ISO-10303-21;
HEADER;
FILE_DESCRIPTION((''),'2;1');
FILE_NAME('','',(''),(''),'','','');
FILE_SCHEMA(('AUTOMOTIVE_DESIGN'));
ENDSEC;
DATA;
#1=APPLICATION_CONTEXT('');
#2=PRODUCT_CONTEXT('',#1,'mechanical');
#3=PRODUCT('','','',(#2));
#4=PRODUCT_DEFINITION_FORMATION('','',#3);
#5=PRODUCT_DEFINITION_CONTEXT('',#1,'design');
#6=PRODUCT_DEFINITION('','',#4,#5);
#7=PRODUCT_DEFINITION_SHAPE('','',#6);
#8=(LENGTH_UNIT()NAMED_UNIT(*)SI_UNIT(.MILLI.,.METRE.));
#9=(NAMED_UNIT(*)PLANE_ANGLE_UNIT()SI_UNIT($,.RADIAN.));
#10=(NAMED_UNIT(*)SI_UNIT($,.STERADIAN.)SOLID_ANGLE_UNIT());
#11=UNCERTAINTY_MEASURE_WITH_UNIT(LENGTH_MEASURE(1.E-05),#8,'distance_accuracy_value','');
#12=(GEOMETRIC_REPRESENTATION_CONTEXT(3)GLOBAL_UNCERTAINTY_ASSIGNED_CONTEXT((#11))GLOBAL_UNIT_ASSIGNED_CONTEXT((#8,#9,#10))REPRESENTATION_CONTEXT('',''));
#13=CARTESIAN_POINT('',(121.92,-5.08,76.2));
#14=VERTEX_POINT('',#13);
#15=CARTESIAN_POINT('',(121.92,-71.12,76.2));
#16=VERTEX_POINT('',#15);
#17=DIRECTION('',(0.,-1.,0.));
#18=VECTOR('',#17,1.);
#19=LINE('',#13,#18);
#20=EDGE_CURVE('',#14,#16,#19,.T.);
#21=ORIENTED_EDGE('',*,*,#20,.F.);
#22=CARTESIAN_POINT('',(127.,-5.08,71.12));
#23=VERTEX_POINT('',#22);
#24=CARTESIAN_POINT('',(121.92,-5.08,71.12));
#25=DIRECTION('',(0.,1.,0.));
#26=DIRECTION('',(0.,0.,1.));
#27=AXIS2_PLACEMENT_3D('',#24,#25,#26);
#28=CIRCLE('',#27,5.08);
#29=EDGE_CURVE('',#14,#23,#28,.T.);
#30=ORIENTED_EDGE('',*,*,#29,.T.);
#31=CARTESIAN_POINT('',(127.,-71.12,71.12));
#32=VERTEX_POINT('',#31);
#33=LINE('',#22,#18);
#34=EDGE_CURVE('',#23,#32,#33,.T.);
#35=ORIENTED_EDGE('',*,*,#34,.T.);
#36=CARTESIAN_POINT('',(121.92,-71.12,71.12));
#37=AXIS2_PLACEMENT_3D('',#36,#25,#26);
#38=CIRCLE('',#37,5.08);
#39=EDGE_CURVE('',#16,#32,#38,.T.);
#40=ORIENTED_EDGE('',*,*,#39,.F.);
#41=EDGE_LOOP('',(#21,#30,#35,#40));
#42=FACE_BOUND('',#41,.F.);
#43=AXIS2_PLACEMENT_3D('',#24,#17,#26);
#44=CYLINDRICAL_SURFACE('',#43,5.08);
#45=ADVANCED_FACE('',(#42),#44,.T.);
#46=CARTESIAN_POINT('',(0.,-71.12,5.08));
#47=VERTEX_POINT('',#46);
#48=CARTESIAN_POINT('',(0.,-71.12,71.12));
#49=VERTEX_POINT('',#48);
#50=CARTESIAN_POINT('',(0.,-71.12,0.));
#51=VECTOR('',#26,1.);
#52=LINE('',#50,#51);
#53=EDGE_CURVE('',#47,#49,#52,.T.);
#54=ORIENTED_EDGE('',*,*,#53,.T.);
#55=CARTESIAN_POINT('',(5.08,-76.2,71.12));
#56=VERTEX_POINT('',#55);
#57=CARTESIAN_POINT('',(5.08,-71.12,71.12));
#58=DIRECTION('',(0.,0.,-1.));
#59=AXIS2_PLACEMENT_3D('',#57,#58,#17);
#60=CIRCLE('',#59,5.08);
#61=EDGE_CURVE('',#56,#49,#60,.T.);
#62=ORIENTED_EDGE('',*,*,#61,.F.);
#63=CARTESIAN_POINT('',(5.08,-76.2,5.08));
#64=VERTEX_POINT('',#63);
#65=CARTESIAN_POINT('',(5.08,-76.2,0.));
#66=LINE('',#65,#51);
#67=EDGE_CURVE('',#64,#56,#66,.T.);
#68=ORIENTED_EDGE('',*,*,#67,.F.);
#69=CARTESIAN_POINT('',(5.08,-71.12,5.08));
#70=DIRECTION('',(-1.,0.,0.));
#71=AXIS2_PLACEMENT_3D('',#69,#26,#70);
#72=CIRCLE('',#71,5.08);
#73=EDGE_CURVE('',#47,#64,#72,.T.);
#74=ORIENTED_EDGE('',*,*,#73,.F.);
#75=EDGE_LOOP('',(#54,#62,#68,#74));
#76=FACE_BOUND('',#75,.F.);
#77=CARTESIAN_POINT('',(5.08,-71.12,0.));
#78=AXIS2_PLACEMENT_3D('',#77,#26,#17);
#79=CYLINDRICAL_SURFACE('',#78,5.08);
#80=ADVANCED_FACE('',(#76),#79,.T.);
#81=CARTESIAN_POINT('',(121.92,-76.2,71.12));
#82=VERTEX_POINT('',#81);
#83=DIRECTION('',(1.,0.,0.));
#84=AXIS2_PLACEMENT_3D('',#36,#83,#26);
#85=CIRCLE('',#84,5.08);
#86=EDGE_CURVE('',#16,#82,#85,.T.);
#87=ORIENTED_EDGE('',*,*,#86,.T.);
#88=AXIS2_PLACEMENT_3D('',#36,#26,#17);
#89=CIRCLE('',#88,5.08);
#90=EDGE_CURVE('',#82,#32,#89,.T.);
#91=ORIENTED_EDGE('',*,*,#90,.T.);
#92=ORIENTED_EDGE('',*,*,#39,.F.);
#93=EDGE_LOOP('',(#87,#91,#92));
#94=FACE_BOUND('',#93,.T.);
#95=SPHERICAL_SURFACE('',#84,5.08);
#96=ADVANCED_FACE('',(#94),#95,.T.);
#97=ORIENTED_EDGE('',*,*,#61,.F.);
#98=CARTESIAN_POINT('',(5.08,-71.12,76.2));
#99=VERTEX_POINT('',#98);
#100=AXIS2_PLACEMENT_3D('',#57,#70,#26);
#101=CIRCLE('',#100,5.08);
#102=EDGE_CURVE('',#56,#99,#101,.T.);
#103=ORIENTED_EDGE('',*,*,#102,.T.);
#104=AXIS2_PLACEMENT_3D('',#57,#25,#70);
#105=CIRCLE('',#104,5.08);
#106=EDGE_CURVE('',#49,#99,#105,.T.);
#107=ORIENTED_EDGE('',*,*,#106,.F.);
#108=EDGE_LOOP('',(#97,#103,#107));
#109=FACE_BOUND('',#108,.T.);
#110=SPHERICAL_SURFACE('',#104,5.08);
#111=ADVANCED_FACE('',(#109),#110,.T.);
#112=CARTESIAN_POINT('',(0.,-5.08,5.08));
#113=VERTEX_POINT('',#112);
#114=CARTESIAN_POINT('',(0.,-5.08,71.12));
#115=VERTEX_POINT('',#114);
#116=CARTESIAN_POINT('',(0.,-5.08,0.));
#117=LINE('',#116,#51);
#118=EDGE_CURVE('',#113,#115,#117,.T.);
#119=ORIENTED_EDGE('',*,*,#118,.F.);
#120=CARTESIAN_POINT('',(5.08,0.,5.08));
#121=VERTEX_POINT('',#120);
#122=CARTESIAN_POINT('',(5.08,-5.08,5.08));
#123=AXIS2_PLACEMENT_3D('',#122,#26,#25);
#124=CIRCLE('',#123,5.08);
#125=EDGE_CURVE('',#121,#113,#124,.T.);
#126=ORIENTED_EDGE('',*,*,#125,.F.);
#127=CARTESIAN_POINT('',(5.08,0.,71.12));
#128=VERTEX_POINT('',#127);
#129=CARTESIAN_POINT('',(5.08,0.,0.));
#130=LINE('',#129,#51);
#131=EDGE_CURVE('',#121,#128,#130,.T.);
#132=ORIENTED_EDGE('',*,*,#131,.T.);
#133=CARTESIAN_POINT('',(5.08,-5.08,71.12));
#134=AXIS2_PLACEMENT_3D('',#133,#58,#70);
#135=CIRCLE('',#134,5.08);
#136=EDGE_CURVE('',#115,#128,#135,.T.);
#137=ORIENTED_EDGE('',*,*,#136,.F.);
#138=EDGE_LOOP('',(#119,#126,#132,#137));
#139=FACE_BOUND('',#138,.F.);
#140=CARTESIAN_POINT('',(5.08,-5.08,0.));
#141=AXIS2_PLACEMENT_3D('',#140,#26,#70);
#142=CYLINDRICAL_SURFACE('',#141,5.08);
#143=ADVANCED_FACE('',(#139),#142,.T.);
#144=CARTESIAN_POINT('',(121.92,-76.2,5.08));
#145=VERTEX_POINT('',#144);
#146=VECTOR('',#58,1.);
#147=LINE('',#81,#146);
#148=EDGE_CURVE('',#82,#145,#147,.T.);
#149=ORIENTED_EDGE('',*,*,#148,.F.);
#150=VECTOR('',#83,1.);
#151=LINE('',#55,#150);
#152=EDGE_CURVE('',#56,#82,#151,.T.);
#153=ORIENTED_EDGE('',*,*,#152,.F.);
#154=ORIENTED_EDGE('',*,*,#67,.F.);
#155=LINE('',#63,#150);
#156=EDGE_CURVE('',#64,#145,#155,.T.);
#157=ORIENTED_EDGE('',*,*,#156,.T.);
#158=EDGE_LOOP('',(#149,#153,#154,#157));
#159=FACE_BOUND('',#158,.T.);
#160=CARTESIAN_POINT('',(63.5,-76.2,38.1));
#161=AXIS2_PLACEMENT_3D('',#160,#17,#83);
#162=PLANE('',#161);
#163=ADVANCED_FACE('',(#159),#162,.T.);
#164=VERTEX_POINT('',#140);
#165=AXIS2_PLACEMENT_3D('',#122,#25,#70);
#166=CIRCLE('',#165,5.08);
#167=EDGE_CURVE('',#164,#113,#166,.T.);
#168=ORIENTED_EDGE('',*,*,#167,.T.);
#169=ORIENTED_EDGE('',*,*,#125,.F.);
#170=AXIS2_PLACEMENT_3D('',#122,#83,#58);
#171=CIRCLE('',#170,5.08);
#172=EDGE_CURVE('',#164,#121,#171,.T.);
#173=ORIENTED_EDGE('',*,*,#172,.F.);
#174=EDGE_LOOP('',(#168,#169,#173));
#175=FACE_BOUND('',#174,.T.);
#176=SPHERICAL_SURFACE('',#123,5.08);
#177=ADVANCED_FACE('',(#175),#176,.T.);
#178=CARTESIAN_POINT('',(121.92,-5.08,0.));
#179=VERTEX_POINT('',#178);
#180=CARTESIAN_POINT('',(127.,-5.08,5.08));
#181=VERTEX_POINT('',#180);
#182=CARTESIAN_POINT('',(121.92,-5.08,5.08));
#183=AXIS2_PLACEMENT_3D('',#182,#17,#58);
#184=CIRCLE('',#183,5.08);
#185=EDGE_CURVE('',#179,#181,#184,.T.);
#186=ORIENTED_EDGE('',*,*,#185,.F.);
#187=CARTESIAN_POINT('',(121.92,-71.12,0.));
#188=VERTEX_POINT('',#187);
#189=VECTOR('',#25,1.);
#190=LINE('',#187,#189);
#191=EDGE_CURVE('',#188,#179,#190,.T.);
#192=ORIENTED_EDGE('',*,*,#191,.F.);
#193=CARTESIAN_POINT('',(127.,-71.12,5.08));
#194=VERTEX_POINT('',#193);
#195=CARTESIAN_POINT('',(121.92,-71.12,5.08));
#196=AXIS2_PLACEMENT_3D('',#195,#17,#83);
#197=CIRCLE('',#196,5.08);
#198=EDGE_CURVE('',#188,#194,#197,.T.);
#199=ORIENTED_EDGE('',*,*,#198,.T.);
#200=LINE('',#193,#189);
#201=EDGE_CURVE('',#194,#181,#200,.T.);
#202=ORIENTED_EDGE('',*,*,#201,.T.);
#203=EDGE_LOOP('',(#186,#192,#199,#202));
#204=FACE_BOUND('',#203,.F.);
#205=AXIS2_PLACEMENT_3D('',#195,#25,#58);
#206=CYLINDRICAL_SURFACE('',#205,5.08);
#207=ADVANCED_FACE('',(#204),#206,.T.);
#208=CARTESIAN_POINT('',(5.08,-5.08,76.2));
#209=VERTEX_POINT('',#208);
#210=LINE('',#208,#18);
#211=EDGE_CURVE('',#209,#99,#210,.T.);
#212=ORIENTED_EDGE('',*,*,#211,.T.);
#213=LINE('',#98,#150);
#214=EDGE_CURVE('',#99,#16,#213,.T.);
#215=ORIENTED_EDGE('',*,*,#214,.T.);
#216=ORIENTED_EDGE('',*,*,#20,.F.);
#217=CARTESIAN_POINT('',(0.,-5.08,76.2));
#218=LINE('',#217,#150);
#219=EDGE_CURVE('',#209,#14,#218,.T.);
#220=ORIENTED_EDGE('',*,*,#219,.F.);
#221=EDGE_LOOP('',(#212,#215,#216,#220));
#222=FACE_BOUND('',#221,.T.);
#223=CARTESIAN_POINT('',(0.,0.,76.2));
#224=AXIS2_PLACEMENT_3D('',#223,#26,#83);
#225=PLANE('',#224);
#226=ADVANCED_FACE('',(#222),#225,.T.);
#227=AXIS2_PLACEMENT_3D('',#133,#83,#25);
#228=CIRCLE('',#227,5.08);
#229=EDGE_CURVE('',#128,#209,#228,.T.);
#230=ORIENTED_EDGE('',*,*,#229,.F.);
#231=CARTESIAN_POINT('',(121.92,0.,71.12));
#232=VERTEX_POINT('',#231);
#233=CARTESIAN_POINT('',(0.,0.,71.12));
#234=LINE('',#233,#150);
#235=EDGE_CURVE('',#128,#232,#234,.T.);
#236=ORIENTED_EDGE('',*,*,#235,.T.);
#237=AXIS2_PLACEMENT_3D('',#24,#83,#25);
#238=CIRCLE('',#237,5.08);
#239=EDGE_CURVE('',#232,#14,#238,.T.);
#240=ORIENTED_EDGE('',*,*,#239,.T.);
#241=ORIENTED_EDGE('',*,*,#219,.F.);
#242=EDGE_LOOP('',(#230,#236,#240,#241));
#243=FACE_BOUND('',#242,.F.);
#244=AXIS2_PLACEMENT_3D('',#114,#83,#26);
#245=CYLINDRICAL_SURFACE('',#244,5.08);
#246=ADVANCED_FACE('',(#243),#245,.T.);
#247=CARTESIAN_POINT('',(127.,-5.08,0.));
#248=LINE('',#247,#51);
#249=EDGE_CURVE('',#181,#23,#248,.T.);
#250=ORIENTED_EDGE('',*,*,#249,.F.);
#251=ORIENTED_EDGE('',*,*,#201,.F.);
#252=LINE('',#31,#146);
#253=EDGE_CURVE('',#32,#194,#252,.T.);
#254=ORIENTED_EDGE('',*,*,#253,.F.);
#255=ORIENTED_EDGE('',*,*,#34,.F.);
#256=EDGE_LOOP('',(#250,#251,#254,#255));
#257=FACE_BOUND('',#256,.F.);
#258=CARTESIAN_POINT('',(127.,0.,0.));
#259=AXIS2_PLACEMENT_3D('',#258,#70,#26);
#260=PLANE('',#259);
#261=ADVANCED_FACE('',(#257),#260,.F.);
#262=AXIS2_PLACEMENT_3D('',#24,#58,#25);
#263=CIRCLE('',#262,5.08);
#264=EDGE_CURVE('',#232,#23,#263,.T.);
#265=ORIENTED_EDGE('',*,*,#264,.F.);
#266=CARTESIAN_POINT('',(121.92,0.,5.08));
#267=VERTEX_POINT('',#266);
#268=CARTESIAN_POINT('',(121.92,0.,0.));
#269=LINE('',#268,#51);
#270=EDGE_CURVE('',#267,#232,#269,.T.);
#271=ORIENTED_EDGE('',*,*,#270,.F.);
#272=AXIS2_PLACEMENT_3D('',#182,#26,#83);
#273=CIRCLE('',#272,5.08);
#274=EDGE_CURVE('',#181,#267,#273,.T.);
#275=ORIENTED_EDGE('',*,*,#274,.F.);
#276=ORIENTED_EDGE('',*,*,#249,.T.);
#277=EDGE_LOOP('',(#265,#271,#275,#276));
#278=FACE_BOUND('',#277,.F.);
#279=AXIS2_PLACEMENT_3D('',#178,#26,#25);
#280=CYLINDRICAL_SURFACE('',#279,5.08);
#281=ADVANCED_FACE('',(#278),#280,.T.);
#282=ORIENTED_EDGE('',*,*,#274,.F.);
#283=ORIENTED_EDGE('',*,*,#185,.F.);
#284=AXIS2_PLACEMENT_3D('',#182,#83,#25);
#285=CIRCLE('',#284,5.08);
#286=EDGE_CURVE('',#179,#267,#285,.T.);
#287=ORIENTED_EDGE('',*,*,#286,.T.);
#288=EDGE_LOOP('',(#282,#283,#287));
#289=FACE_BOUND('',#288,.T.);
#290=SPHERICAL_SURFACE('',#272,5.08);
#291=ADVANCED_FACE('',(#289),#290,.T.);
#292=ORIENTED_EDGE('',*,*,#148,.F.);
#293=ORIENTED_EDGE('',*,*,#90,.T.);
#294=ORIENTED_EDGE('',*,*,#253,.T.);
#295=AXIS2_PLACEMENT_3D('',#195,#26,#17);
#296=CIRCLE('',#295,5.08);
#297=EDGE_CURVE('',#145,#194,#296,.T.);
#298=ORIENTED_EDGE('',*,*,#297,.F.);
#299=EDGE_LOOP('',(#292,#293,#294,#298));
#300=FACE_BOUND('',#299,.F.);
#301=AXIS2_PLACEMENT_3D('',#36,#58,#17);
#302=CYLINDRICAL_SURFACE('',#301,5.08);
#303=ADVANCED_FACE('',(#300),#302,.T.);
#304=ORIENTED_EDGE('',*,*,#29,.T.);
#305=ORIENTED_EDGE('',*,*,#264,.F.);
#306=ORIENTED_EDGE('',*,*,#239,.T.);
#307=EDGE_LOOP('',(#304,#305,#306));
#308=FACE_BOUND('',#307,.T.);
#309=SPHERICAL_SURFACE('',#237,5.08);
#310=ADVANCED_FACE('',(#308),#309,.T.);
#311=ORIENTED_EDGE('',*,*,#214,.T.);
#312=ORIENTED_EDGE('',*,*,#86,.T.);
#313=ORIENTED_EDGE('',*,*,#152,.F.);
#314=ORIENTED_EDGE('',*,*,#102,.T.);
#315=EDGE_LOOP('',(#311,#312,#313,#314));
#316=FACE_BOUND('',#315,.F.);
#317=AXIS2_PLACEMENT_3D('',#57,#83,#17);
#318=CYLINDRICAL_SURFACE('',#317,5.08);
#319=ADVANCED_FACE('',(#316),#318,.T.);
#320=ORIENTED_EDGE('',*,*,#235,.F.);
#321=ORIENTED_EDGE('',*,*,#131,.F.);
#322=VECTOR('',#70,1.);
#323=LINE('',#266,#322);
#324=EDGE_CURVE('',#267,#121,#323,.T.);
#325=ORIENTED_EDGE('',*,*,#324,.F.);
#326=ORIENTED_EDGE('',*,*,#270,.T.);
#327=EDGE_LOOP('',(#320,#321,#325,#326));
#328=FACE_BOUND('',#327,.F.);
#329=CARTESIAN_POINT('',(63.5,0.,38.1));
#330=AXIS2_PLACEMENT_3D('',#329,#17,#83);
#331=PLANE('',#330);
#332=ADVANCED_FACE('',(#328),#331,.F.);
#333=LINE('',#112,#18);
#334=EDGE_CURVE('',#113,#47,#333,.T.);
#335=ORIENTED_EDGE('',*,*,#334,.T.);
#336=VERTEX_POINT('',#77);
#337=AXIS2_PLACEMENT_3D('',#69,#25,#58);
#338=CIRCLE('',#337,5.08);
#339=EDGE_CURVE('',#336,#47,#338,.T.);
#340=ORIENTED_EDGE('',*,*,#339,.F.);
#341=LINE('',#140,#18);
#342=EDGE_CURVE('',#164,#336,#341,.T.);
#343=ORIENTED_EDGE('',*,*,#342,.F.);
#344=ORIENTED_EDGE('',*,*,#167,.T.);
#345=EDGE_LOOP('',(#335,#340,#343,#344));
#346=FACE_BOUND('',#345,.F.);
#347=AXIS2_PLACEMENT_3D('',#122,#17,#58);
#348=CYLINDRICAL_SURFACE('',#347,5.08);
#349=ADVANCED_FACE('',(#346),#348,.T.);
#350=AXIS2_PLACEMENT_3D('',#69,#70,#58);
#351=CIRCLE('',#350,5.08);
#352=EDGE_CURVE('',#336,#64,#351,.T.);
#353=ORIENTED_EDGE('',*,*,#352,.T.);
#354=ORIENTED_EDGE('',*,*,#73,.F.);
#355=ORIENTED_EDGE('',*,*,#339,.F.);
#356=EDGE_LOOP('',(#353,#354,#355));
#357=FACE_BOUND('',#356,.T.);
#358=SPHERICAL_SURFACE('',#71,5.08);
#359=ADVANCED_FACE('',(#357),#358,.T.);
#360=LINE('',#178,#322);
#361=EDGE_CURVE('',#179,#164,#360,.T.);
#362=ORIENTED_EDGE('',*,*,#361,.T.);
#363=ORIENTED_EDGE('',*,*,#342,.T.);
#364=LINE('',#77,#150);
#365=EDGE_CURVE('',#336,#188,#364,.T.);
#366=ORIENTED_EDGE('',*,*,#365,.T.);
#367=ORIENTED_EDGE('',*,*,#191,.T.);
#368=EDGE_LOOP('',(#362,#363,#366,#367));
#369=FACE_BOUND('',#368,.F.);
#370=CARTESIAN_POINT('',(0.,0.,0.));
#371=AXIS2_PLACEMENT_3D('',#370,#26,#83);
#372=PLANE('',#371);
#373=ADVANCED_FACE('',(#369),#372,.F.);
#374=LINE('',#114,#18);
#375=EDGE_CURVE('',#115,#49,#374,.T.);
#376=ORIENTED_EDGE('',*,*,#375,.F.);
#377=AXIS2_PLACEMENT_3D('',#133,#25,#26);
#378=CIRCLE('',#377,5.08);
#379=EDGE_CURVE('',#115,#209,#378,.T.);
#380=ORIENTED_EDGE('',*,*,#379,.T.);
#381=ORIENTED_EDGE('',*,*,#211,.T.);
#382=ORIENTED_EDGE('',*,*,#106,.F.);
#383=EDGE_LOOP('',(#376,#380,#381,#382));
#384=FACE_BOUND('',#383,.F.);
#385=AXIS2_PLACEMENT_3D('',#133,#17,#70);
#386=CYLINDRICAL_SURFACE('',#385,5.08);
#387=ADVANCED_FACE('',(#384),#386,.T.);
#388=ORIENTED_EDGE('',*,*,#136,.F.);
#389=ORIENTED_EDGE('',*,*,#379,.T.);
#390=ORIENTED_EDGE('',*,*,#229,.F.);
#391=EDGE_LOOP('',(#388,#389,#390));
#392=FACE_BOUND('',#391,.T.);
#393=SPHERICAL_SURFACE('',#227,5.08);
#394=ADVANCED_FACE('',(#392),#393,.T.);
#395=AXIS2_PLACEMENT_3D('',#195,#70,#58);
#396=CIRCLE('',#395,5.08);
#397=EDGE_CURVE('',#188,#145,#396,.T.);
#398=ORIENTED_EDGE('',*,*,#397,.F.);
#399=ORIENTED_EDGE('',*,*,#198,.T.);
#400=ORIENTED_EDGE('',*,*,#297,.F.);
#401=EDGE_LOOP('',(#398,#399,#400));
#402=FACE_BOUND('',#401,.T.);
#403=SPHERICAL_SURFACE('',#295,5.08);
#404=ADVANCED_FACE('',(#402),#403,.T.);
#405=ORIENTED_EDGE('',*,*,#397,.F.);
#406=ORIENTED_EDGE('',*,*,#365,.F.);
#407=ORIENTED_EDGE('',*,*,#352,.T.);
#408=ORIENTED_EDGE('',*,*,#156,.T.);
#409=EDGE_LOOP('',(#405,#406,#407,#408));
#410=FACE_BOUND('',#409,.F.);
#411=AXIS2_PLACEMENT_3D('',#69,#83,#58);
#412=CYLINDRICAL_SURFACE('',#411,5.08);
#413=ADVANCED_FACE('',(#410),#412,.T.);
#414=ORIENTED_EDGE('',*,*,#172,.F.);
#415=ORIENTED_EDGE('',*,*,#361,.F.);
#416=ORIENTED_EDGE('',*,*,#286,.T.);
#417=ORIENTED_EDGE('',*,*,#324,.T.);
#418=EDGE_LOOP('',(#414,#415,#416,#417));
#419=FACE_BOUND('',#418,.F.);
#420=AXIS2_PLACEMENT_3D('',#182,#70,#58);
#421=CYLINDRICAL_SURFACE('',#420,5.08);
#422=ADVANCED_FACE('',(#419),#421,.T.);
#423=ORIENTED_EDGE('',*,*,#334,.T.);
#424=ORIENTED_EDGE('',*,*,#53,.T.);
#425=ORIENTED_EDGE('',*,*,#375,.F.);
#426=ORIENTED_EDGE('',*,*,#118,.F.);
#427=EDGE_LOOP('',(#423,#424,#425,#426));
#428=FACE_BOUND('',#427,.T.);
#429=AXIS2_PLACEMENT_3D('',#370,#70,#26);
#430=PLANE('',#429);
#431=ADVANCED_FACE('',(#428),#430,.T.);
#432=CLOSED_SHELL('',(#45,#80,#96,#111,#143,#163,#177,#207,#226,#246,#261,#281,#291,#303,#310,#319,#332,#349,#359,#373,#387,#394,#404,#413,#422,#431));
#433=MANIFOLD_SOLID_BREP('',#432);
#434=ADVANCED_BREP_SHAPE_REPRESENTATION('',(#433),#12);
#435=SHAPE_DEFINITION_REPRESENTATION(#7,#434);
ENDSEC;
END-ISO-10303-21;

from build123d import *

# Parameters (mm, degrees)
F0_W     = 127
F0_H     = 76.2
F1_DEPTH = 76.2
F2_R     = 5.08
F3_R     = 5.08
F4_R     = 5.08
F5_R     = 5.08
F6_R     = 5.08


with BuildPart() as f1:
    # F0 (on Front) → F1 (new body)
    with BuildSketch(Plane.XZ):
        with Locations((63.5, 38.1)):
            Rectangle(F0_W, F0_H)
    extrude(amount=F1_DEPTH)

    # F2
    f2_edges = [f1.edges().sort_by_distance(p)[0] for p in [
        (63.5, 0, 76.2),
    ]]
    fillet(f2_edges, radius=F2_R)

    # F3
    f3_edges = [f1.edges().sort_by_distance(p)[0] for p in [
        (0, -40.64, 76.2),
    ]]
    fillet(f3_edges, radius=F3_R)

    # F4
    f4_edges = [f1.edges().sort_by_distance(p)[0] for p in [
        (66.04, -76.2, 76.2),
    ]]
    fillet(f4_edges, radius=F4_R)

    # F5
    f5_edges = [f1.edges().sort_by_distance(p)[0] for p in [
        (127, -38.1, 76.2),
    ]]
    fillet(f5_edges, radius=F5_R)

    # F6
    f6_edges = [f1.edges().sort_by_distance(p)[0] for p in [
        (63.5, -76.2, 0),
    ]]
    fillet(f6_edges, radius=F6_R)


solid = f1.part
